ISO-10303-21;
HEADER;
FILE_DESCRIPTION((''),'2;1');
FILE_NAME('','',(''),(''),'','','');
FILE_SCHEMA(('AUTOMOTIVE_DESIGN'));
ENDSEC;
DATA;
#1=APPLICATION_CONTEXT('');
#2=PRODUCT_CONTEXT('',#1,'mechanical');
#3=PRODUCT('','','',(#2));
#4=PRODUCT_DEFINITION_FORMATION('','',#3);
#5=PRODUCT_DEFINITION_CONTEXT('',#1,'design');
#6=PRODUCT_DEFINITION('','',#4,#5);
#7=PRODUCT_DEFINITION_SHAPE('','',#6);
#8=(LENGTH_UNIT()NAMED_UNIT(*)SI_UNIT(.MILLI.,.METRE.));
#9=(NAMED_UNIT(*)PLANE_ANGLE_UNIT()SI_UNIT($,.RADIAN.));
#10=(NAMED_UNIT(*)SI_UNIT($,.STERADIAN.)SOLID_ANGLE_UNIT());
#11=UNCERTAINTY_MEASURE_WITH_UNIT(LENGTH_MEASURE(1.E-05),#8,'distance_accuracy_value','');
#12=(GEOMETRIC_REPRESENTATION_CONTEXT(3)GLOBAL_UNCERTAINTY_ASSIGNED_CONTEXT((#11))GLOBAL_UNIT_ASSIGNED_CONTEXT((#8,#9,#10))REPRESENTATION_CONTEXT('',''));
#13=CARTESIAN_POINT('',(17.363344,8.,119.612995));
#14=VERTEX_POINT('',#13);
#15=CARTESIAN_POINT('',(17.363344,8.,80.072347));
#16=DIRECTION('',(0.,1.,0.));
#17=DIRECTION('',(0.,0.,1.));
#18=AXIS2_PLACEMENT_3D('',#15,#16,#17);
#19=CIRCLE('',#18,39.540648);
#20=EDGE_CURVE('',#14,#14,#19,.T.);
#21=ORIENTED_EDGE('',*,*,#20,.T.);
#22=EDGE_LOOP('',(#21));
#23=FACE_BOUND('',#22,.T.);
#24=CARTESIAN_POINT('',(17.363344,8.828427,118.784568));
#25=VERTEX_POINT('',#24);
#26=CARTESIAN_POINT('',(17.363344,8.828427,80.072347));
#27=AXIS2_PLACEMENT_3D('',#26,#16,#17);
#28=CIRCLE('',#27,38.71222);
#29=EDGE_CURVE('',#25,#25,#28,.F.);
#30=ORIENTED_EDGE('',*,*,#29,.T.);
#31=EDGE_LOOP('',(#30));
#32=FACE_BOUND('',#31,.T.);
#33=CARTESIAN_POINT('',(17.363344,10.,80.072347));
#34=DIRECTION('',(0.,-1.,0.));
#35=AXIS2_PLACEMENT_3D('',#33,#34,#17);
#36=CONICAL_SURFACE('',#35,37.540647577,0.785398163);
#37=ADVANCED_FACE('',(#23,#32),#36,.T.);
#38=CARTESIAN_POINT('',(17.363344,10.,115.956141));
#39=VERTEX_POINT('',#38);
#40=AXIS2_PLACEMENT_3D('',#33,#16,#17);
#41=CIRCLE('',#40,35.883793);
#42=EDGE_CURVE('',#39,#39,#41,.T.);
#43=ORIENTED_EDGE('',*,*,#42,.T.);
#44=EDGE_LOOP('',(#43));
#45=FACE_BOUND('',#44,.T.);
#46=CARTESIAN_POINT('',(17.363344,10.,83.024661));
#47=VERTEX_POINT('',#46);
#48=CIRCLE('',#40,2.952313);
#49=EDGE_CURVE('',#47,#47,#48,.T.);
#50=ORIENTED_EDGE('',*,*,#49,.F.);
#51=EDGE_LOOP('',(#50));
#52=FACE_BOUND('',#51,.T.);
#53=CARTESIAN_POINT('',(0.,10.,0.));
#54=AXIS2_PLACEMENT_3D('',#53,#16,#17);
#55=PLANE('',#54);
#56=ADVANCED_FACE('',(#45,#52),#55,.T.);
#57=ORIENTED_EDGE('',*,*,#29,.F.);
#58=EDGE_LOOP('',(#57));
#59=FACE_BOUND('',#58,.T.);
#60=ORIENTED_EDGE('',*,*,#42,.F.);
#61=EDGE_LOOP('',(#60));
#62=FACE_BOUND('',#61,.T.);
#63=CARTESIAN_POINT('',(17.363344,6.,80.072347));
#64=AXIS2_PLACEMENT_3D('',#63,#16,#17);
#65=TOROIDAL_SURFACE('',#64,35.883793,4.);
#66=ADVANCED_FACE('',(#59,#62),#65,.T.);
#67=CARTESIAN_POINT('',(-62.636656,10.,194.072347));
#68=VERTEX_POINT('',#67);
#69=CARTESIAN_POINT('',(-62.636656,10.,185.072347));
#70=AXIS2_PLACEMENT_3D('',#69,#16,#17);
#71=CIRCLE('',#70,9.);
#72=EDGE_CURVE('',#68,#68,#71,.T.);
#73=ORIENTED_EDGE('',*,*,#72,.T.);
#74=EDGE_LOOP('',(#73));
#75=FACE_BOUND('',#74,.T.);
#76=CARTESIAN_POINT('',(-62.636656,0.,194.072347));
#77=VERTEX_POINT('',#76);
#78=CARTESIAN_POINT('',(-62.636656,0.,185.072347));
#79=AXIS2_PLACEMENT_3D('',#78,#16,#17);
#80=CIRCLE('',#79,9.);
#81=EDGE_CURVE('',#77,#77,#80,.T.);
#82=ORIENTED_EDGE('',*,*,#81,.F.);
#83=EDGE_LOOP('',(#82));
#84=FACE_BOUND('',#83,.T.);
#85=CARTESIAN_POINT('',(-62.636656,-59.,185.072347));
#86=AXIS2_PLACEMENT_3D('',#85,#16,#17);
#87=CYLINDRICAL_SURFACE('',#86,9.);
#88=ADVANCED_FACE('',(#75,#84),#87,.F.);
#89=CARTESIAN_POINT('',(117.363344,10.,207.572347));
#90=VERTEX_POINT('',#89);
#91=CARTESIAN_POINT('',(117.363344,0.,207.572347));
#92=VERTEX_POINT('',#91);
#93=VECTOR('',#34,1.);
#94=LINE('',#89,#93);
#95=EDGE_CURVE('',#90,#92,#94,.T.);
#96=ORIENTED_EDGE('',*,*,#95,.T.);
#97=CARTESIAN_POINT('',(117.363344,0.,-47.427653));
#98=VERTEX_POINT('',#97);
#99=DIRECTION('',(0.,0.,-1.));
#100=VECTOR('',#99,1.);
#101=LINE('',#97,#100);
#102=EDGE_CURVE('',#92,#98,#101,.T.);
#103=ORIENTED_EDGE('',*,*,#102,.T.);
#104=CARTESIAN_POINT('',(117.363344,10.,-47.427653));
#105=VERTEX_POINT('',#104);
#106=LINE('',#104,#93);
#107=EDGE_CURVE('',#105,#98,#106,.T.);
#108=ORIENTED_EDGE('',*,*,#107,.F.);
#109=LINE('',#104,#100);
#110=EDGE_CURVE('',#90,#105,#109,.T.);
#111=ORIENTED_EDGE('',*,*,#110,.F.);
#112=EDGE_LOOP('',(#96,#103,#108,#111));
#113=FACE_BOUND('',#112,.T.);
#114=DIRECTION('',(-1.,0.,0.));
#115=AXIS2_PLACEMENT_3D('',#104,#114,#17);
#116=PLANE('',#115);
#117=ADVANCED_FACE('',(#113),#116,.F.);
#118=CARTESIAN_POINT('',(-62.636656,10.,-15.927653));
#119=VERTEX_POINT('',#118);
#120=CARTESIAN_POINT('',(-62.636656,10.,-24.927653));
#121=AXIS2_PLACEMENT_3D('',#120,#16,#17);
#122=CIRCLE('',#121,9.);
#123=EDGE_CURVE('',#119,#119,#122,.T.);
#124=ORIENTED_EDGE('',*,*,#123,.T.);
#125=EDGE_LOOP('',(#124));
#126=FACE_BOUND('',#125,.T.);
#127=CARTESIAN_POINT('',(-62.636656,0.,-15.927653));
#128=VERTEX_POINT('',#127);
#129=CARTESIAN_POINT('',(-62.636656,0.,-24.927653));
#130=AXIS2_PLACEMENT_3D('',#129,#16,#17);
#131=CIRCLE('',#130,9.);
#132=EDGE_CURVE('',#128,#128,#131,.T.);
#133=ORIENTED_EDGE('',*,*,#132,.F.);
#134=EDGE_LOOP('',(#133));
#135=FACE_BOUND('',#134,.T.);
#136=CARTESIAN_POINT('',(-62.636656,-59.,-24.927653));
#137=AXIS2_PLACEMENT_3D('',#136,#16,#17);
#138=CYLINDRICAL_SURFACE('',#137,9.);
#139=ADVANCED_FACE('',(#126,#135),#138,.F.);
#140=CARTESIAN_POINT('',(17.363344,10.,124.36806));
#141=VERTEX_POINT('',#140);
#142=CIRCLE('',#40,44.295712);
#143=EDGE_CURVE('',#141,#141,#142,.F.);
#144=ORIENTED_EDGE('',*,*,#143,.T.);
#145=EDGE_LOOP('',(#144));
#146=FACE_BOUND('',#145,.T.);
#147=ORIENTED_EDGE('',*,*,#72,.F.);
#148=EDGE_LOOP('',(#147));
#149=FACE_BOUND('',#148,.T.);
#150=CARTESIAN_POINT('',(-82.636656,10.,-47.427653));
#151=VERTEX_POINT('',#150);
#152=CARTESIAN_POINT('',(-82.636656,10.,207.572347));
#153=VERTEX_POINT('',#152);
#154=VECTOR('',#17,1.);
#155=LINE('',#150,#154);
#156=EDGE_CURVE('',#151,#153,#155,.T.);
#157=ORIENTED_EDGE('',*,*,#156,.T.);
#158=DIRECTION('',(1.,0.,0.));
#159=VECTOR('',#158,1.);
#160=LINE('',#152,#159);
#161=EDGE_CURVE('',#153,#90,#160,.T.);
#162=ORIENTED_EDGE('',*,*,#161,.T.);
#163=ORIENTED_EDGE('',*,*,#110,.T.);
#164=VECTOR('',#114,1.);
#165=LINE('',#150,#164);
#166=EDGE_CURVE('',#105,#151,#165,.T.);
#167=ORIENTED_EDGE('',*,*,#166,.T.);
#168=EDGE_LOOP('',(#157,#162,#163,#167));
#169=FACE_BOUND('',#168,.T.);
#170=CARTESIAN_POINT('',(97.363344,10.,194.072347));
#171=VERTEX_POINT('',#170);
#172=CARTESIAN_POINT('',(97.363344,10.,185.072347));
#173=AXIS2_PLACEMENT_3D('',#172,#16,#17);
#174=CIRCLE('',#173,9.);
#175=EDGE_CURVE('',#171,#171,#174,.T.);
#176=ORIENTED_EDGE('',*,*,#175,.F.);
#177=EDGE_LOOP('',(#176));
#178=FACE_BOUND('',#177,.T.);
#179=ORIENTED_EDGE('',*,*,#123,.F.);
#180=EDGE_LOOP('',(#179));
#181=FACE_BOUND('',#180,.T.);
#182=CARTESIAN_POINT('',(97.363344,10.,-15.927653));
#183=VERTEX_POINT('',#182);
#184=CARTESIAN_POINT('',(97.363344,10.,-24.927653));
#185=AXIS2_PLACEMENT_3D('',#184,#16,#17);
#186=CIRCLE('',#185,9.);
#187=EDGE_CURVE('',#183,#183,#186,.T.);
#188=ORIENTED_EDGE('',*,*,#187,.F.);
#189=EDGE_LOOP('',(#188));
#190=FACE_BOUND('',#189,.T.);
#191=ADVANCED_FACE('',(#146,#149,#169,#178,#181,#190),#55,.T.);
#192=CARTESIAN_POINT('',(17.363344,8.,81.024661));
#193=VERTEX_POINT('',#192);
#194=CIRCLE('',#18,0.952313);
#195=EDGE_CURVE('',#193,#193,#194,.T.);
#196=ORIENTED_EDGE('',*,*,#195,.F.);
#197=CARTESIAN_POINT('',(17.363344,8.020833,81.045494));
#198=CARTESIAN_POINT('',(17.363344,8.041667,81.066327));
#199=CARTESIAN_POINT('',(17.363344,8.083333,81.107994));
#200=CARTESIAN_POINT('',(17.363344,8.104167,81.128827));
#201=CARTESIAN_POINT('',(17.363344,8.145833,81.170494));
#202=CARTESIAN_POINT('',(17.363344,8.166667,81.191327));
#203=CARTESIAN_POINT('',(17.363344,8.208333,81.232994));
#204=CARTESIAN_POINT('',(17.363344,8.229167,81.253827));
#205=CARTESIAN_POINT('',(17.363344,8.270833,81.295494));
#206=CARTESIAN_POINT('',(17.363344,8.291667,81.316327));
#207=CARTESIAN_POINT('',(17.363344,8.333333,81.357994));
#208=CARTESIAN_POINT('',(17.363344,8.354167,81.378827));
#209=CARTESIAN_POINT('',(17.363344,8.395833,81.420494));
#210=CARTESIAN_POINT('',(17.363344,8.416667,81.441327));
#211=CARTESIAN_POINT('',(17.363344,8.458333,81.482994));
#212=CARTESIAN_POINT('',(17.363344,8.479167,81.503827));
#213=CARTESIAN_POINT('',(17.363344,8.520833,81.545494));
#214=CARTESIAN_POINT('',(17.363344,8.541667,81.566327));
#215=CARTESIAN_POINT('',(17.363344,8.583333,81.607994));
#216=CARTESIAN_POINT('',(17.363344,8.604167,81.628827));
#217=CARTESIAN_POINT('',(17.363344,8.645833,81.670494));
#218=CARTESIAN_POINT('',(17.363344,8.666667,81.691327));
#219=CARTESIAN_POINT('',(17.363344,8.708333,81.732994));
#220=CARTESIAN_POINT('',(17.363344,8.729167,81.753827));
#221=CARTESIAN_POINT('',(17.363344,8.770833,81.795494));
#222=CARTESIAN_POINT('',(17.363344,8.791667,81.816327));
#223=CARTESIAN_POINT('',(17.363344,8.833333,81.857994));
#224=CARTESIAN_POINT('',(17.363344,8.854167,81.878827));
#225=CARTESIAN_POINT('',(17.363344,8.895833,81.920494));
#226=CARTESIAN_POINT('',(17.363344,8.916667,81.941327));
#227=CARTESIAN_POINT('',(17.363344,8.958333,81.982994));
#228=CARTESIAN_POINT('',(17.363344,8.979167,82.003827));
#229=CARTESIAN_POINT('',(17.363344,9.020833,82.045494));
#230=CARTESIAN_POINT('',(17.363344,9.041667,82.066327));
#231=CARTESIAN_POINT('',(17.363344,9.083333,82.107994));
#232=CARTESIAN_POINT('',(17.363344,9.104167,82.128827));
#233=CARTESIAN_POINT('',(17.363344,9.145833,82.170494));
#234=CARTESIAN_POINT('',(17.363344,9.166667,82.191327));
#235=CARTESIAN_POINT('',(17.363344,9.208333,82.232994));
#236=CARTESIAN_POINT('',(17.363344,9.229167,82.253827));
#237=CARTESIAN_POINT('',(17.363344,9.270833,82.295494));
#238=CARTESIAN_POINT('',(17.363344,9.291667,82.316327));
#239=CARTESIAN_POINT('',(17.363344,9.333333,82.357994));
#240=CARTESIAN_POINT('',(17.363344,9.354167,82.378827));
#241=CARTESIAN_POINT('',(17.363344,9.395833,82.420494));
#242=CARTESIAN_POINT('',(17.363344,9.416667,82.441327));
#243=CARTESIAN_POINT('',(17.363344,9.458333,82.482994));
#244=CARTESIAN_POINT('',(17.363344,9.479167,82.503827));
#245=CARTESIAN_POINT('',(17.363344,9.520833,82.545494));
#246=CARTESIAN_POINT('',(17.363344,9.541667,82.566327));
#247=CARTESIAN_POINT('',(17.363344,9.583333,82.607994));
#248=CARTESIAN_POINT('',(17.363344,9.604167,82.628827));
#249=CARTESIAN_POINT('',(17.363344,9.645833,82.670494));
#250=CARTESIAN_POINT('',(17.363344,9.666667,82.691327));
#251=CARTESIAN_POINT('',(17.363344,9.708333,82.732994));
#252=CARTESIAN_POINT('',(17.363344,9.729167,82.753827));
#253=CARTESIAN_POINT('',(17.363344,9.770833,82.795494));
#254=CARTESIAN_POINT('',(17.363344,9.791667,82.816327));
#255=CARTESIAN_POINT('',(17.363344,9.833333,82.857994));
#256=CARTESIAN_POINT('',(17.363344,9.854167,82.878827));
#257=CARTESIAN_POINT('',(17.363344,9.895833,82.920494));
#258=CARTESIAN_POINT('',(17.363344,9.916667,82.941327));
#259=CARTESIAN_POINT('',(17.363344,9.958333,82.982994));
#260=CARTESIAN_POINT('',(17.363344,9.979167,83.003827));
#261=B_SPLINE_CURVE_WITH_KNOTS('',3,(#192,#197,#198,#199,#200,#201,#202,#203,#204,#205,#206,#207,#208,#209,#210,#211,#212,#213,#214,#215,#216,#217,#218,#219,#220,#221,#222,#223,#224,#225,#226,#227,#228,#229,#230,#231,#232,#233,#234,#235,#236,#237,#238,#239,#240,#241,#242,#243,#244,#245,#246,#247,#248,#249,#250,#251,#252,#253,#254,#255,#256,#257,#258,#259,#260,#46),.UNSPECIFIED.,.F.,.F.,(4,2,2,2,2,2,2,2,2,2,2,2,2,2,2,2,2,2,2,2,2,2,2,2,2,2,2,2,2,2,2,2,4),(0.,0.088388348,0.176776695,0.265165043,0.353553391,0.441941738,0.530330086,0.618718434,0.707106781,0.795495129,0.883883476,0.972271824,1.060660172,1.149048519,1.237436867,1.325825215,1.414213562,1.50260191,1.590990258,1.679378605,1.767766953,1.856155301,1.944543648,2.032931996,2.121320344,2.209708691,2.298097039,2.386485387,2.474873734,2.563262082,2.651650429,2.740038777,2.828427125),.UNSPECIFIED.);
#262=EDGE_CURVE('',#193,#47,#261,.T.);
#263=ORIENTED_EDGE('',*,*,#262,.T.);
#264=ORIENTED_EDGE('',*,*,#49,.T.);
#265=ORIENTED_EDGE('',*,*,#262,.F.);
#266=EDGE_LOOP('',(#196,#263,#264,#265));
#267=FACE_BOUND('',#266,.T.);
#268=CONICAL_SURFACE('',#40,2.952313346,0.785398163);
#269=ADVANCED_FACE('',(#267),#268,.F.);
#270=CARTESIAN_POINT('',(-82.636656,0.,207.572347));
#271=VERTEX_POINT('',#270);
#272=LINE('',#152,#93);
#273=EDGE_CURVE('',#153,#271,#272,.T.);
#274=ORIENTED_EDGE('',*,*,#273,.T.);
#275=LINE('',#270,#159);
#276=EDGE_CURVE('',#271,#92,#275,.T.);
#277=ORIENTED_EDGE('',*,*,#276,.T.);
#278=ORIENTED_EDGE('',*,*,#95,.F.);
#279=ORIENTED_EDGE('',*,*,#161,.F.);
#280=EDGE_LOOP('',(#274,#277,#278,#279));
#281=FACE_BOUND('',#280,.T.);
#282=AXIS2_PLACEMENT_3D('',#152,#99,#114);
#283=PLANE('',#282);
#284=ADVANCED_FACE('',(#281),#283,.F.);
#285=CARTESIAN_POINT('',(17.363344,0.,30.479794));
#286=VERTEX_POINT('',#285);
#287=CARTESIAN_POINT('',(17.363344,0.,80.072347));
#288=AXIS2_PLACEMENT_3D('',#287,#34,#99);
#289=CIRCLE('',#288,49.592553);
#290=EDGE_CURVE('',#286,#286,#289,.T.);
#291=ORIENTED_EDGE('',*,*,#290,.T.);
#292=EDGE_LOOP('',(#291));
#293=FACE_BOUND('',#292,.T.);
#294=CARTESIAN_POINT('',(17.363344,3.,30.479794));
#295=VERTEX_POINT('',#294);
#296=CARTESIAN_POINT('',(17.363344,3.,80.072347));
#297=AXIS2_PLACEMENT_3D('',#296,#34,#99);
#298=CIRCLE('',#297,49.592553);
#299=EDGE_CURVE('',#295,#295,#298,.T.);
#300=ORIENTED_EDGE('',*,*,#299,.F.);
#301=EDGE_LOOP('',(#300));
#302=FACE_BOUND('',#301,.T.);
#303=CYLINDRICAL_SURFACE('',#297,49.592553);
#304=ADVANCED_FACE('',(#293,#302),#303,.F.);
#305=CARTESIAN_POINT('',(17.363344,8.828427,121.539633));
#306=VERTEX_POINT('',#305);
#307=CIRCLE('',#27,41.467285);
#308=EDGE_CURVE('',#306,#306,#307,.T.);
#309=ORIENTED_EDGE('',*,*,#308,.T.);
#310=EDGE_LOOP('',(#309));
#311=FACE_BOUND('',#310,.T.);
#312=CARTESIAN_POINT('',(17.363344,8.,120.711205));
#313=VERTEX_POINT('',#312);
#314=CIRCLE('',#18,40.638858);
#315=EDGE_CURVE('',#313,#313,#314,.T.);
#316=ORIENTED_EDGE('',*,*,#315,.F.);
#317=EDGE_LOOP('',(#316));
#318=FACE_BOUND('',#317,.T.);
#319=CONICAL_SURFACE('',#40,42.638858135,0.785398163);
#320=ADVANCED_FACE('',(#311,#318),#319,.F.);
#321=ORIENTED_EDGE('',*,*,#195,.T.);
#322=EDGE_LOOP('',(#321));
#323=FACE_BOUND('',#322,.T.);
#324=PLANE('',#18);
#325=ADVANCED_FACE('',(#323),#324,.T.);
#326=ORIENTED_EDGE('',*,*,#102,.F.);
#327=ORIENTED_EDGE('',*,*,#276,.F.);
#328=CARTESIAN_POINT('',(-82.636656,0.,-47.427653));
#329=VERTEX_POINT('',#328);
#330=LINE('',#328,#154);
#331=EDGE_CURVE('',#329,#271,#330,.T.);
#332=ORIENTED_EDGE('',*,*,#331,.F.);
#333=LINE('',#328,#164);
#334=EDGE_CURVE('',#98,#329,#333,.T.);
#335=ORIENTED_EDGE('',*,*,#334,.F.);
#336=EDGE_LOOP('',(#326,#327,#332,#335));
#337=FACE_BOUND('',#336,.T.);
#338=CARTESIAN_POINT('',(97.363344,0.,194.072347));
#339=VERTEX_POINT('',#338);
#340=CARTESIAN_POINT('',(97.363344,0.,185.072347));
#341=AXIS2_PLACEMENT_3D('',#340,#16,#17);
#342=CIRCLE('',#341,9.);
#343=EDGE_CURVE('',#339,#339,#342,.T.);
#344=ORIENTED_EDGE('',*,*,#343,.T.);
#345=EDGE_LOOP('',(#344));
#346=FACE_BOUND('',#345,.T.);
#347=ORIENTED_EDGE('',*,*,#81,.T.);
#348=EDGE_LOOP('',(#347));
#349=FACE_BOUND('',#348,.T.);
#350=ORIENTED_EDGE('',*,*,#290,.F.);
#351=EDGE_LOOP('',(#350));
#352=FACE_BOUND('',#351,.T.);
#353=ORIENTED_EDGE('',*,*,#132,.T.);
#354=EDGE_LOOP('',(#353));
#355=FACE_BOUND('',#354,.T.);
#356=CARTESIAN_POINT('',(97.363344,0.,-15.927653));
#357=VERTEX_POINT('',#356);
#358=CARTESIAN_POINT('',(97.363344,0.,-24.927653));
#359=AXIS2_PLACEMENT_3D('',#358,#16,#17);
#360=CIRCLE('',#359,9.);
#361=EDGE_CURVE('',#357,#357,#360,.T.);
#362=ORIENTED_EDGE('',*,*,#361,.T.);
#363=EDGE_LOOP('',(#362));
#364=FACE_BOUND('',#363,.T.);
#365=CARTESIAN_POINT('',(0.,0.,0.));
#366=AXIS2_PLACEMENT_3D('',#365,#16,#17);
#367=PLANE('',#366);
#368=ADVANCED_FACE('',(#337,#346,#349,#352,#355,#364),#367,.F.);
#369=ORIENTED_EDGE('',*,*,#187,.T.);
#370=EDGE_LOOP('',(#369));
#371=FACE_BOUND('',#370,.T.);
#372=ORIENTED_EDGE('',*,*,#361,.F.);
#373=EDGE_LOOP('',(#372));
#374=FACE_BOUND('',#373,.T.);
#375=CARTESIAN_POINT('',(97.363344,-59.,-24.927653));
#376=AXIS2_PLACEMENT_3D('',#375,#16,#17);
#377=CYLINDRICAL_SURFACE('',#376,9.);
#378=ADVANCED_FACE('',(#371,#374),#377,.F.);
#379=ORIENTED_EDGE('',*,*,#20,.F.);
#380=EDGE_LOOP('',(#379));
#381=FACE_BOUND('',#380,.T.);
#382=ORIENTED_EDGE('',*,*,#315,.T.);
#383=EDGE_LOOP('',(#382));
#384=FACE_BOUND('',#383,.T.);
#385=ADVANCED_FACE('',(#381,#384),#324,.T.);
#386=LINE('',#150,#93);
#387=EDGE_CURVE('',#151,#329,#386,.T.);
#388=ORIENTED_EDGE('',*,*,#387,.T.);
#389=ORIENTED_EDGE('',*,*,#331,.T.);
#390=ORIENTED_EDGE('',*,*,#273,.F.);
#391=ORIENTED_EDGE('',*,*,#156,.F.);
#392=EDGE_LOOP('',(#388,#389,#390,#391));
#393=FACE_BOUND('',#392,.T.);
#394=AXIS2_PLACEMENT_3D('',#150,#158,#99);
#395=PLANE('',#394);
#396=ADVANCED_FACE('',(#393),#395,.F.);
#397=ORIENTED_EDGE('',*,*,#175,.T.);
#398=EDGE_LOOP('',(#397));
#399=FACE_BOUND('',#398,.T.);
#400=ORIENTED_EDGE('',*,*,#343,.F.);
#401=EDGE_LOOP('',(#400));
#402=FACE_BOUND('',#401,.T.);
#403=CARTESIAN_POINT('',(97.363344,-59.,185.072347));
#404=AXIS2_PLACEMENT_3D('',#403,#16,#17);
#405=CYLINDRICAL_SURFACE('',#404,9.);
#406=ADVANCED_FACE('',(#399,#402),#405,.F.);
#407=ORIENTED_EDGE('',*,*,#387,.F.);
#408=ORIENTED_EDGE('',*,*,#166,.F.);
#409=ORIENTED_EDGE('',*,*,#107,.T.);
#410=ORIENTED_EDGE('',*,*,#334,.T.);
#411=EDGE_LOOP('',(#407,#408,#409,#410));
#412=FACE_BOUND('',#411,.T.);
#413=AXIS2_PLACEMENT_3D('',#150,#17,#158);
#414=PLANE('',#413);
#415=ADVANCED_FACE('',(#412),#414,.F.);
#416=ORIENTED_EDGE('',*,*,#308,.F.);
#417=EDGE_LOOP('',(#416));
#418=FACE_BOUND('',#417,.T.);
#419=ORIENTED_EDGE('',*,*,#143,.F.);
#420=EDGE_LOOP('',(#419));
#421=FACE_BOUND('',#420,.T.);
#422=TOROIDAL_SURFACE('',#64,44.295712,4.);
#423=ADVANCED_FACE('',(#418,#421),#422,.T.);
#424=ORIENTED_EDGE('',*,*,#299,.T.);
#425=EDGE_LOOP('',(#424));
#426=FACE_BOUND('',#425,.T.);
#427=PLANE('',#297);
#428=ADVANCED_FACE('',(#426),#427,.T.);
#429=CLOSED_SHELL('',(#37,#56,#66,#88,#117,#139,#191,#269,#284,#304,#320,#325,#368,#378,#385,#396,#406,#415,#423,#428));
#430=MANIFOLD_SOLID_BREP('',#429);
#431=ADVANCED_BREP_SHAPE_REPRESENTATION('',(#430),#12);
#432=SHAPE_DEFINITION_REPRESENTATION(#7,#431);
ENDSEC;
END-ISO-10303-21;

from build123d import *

# Parameters (mm, degrees)
SKETCH1_W           = 200
SKETCH1_H           = 255
BOSS_EXTRUDE1_DEPTH = 10
SKETCH2_R           = 49.592553134
CUT_EXTRUDE1_DEPTH  = 3
SKETCH3_R           = 9
CUT_EXTRUDE2_DEPTH  = 69
SKETCH4_R           = 42.638858135
SKETCH4_R_2         = 37.540647577
CUT_EXTRUDE3_DEPTH  = 2
CUT_EXTRUDE3_DRAFT  = -45
FILLET1_R           = 4
FILLET2_R           = 4
SKETCH5_R           = 2.952313346
CUT_EXTRUDE4_DEPTH  = 2
CUT_EXTRUDE4_DRAFT  = -45


with BuildPart() as part:
    # Sketch1 → Boss-Extrude1 (new body)
    with BuildSketch(Plane(origin=(0, 0, 0), x_dir=(1, 0, 0), z_dir=(0, 1, 0))):
        with Locations((17.363344051, -80.072347267)):
            Rectangle(SKETCH1_W, SKETCH1_H)
    extrude(amount=BOSS_EXTRUDE1_DEPTH)

    # Sketch2 → Cut-Extrude1 (cut)
    with BuildSketch(Plane(origin=(0, 0, 0), x_dir=(-1, 0, 0), z_dir=(0, -1, 0))):
        with Locations(Location((-17.363344051, -80.072347267, 0), (0, 0, 90))):
            Circle(SKETCH2_R)
    extrude(amount=-CUT_EXTRUDE1_DEPTH, mode=Mode.SUBTRACT)

    # Sketch3 → Cut-Extrude2 (cut)
    with BuildSketch(Plane(origin=(0, 10, 0), x_dir=(1, 0, 0), z_dir=(0, 1, 0))):
        with Locations(Location((97.363344051, -185.072347267, 0), (0, 0, 270))):
            Circle(SKETCH3_R)
        with Locations(Location((-62.636655949, 24.927652733, 0), (0, 0, 270))):
            Circle(SKETCH3_R)
        with Locations(Location((-62.636655949, -185.072347267, 0), (0, 0, 270))):
            Circle(SKETCH3_R)
        with Locations(Location((97.363344051, 24.927652733, 0), (0, 0, 270))):
            Circle(SKETCH3_R)
    extrude(amount=-CUT_EXTRUDE2_DEPTH, mode=Mode.SUBTRACT)


with BuildPart() as cut_extrude3_tool:
    # Sketch4 → Cut-Extrude3 (with draft: the straight prism first)
    with BuildSketch(Plane(origin=(0, 10, 0), x_dir=(1, 0, 0), z_dir=(0, 1, 0))):
        with Locations((17.363344051, -80.072347267)):
            Circle(SKETCH4_R)
        with Locations((17.363344051, -80.072347267)):
            Circle(SKETCH4_R_2, mode=Mode.SUBTRACT)
    extrude(amount=-CUT_EXTRUDE3_DEPTH)
    # Cut-Extrude3: the draft: its side faces are tilted about the plane it starts from
    cut_extrude3_sides = [cut_extrude3_tool.faces().sort_by_distance(p)[0] for p in [
        (-25.275514084, 9, 80.072347267),
        (-20.177303525, 9, 80.072347267),
    ]]
    draft(cut_extrude3_sides, Plane(origin=(0, 10, 0), x_dir=(1, 0, 0), z_dir=(0, 1, 0)), CUT_EXTRUDE3_DRAFT)


with BuildPart() as part_1:
    add(part.part)

    # Cut-Extrude3: cut by cut_extrude3_tool
    add(cut_extrude3_tool.part, mode=Mode.SUBTRACT)

    # Fillet1
    fillet1_edges = [part_1.edges().sort_by_distance(p)[0] for p in [
        (-25.275514084, 10, 80.072347267),
    ]]
    fillet(fillet1_edges, radius=FILLET1_R)

    # Fillet2
    fillet2_edges = [part_1.edges().sort_by_distance(p)[0] for p in [
        (-20.177303525, 10, 80.072347267),
    ]]
    fillet(fillet2_edges, radius=FILLET2_R)


with BuildPart() as cut_extrude4_tool:
    # Sketch5 → Cut-Extrude4 (with draft: the straight prism first)
    with BuildSketch(Plane(origin=(0, 10, 0), x_dir=(1, 0, 0), z_dir=(0, 1, 0))):
        with Locations((17.363344051, -80.072347267)):
            Circle(SKETCH5_R)
    extrude(amount=-CUT_EXTRUDE4_DEPTH)
    # Cut-Extrude4: the draft: its side faces are tilted about the plane it starts from
    cut_extrude4_sides = [cut_extrude4_tool.faces().sort_by_distance(p)[0] for p in [
        (14.411030705, 9, 80.072347267),
    ]]
    draft(cut_extrude4_sides, Plane(origin=(0, 10, 0), x_dir=(1, 0, 0), z_dir=(0, 1, 0)), CUT_EXTRUDE4_DRAFT)


with BuildPart() as part_2:
    add(part_1.part)

    # Cut-Extrude4: cut by cut_extrude4_tool
    add(cut_extrude4_tool.part, mode=Mode.SUBTRACT)


solid = part_2.part
